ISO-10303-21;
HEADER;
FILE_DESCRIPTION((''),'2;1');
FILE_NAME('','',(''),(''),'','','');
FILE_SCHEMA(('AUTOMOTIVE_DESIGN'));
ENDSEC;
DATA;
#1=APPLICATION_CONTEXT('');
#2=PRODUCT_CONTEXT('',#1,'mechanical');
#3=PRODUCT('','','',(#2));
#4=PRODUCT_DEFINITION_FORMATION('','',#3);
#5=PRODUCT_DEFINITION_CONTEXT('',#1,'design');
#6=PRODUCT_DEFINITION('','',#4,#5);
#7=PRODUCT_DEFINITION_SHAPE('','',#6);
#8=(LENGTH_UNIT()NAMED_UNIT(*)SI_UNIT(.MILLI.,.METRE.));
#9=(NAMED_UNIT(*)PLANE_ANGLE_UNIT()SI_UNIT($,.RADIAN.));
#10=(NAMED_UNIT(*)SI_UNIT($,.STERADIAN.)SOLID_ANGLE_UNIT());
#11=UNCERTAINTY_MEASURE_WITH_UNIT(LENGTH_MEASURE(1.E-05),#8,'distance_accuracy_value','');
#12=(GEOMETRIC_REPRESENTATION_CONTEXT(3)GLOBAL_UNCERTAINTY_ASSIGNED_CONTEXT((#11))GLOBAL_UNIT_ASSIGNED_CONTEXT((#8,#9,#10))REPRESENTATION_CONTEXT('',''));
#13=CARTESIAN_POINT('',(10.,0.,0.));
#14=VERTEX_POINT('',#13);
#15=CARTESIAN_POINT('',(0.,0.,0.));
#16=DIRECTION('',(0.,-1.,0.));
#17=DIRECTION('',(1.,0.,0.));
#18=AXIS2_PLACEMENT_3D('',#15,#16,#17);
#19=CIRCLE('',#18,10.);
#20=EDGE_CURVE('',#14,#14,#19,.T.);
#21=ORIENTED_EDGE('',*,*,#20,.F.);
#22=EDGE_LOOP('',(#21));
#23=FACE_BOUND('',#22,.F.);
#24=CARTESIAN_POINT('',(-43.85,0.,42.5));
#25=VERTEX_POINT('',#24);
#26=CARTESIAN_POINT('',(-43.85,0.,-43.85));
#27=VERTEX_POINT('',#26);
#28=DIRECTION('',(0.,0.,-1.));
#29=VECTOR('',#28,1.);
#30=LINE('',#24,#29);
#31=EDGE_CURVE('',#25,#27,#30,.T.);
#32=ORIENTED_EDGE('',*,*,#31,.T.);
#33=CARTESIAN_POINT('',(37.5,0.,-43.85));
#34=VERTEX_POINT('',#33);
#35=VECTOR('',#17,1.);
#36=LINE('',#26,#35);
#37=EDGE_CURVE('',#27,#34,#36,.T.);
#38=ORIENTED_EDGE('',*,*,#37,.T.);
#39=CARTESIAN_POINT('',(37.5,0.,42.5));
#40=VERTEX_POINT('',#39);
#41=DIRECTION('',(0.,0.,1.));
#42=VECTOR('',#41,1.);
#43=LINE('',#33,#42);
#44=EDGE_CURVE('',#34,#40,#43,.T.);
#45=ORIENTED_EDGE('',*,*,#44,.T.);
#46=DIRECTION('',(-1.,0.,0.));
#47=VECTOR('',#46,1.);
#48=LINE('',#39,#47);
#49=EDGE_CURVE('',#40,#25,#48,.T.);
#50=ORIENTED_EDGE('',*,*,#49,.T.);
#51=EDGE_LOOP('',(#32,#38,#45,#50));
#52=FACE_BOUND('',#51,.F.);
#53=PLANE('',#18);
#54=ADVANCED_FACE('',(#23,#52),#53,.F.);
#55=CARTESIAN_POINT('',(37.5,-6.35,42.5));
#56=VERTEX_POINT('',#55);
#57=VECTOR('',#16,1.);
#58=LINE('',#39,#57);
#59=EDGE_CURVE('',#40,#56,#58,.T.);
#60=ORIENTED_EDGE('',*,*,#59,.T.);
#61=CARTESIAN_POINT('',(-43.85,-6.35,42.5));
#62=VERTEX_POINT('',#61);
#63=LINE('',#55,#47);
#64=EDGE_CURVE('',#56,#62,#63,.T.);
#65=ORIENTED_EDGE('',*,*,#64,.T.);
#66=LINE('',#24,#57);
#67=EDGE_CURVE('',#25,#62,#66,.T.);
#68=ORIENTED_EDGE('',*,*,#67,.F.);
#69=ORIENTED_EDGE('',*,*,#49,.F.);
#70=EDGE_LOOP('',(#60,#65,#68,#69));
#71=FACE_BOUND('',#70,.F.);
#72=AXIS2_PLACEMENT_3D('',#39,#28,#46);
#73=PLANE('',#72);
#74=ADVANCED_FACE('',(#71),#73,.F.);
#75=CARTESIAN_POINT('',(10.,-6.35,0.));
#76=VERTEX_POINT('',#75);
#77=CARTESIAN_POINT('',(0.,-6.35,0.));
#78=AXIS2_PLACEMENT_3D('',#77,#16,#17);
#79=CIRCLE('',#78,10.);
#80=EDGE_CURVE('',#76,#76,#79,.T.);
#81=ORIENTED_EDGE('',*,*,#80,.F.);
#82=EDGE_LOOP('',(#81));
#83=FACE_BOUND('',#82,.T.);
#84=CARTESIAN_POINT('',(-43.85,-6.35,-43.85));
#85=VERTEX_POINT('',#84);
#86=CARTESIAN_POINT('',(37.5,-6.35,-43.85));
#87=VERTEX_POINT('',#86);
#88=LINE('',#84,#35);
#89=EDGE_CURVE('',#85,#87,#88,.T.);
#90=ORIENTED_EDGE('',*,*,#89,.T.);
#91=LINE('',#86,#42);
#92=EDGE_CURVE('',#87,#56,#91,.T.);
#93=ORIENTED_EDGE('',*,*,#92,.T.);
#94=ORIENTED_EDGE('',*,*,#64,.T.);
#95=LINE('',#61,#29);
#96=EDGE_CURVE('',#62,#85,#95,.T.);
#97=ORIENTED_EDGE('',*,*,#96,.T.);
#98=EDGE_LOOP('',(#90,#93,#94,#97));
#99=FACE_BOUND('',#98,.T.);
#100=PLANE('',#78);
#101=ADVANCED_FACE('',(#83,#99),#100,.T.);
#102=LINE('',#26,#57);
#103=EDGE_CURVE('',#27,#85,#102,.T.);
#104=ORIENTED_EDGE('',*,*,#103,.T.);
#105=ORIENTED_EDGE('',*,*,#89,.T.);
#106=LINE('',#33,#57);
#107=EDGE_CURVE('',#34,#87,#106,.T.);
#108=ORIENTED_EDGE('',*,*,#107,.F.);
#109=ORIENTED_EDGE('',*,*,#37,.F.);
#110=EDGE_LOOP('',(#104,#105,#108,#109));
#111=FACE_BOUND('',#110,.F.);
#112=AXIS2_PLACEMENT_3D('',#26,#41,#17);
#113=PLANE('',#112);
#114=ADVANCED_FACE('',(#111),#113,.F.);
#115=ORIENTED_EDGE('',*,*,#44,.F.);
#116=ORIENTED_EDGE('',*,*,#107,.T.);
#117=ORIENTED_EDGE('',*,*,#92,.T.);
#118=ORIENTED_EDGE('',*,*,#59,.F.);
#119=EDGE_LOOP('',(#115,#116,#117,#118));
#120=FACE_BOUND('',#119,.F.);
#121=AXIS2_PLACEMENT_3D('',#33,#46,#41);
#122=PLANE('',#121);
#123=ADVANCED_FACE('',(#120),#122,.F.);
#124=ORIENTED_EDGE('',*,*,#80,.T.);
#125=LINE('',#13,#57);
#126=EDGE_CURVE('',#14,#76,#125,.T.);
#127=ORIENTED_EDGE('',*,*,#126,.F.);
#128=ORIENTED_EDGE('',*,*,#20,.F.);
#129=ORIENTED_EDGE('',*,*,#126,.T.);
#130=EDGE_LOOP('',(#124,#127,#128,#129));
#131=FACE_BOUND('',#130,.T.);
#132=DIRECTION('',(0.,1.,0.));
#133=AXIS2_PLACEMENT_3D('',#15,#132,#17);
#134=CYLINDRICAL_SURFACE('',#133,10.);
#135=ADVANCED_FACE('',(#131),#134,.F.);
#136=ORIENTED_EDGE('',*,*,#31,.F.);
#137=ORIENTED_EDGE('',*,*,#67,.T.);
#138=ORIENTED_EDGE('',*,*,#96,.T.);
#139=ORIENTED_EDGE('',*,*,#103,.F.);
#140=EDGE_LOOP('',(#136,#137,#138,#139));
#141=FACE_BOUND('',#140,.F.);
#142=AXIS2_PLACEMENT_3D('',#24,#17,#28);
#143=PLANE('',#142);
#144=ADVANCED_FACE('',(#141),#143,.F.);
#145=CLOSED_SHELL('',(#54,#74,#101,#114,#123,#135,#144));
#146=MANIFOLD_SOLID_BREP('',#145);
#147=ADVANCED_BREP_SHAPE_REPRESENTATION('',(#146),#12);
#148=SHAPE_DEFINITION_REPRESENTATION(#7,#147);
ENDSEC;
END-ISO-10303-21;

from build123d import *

# Parameters (mm, degrees)
F0_W     = 75
F0_H     = 75
F0_R     = 2.3876
F0_R_2   = 10
F0_W_2   = 6.35
F0_H_2   = 6.35
F1_DEPTH = 6.35


with BuildPart() as f1:
    # F0 (on Front) → F1 (new body)
    with BuildSketch(Plane.XZ):
        Rectangle(F0_W, F0_H)
        with Locations((0, -27.5)):
            Circle(F0_R, mode=Mode.SUBTRACT)
        Circle(F0_R_2, mode=Mode.SUBTRACT)
        with Locations((-40.675, 0)):
            Rectangle(F0_W_2, F0_H)
        with Locations((-40.675, -40.675)):
            Rectangle(F0_W_2, F0_H_2)
        with Locations((0, -40.675)):
            Rectangle(F0_W, F0_H_2)
        Polygon((-37.5, 37.5), (37.5, 37.5), (37.5, 42.5), (-43.85, 42.5), (-43.85, 37.5), align=None)
        with Locations((0, -27.5)):
            Circle(F0_R)
    extrude(amount=F1_DEPTH)


solid = f1.part
